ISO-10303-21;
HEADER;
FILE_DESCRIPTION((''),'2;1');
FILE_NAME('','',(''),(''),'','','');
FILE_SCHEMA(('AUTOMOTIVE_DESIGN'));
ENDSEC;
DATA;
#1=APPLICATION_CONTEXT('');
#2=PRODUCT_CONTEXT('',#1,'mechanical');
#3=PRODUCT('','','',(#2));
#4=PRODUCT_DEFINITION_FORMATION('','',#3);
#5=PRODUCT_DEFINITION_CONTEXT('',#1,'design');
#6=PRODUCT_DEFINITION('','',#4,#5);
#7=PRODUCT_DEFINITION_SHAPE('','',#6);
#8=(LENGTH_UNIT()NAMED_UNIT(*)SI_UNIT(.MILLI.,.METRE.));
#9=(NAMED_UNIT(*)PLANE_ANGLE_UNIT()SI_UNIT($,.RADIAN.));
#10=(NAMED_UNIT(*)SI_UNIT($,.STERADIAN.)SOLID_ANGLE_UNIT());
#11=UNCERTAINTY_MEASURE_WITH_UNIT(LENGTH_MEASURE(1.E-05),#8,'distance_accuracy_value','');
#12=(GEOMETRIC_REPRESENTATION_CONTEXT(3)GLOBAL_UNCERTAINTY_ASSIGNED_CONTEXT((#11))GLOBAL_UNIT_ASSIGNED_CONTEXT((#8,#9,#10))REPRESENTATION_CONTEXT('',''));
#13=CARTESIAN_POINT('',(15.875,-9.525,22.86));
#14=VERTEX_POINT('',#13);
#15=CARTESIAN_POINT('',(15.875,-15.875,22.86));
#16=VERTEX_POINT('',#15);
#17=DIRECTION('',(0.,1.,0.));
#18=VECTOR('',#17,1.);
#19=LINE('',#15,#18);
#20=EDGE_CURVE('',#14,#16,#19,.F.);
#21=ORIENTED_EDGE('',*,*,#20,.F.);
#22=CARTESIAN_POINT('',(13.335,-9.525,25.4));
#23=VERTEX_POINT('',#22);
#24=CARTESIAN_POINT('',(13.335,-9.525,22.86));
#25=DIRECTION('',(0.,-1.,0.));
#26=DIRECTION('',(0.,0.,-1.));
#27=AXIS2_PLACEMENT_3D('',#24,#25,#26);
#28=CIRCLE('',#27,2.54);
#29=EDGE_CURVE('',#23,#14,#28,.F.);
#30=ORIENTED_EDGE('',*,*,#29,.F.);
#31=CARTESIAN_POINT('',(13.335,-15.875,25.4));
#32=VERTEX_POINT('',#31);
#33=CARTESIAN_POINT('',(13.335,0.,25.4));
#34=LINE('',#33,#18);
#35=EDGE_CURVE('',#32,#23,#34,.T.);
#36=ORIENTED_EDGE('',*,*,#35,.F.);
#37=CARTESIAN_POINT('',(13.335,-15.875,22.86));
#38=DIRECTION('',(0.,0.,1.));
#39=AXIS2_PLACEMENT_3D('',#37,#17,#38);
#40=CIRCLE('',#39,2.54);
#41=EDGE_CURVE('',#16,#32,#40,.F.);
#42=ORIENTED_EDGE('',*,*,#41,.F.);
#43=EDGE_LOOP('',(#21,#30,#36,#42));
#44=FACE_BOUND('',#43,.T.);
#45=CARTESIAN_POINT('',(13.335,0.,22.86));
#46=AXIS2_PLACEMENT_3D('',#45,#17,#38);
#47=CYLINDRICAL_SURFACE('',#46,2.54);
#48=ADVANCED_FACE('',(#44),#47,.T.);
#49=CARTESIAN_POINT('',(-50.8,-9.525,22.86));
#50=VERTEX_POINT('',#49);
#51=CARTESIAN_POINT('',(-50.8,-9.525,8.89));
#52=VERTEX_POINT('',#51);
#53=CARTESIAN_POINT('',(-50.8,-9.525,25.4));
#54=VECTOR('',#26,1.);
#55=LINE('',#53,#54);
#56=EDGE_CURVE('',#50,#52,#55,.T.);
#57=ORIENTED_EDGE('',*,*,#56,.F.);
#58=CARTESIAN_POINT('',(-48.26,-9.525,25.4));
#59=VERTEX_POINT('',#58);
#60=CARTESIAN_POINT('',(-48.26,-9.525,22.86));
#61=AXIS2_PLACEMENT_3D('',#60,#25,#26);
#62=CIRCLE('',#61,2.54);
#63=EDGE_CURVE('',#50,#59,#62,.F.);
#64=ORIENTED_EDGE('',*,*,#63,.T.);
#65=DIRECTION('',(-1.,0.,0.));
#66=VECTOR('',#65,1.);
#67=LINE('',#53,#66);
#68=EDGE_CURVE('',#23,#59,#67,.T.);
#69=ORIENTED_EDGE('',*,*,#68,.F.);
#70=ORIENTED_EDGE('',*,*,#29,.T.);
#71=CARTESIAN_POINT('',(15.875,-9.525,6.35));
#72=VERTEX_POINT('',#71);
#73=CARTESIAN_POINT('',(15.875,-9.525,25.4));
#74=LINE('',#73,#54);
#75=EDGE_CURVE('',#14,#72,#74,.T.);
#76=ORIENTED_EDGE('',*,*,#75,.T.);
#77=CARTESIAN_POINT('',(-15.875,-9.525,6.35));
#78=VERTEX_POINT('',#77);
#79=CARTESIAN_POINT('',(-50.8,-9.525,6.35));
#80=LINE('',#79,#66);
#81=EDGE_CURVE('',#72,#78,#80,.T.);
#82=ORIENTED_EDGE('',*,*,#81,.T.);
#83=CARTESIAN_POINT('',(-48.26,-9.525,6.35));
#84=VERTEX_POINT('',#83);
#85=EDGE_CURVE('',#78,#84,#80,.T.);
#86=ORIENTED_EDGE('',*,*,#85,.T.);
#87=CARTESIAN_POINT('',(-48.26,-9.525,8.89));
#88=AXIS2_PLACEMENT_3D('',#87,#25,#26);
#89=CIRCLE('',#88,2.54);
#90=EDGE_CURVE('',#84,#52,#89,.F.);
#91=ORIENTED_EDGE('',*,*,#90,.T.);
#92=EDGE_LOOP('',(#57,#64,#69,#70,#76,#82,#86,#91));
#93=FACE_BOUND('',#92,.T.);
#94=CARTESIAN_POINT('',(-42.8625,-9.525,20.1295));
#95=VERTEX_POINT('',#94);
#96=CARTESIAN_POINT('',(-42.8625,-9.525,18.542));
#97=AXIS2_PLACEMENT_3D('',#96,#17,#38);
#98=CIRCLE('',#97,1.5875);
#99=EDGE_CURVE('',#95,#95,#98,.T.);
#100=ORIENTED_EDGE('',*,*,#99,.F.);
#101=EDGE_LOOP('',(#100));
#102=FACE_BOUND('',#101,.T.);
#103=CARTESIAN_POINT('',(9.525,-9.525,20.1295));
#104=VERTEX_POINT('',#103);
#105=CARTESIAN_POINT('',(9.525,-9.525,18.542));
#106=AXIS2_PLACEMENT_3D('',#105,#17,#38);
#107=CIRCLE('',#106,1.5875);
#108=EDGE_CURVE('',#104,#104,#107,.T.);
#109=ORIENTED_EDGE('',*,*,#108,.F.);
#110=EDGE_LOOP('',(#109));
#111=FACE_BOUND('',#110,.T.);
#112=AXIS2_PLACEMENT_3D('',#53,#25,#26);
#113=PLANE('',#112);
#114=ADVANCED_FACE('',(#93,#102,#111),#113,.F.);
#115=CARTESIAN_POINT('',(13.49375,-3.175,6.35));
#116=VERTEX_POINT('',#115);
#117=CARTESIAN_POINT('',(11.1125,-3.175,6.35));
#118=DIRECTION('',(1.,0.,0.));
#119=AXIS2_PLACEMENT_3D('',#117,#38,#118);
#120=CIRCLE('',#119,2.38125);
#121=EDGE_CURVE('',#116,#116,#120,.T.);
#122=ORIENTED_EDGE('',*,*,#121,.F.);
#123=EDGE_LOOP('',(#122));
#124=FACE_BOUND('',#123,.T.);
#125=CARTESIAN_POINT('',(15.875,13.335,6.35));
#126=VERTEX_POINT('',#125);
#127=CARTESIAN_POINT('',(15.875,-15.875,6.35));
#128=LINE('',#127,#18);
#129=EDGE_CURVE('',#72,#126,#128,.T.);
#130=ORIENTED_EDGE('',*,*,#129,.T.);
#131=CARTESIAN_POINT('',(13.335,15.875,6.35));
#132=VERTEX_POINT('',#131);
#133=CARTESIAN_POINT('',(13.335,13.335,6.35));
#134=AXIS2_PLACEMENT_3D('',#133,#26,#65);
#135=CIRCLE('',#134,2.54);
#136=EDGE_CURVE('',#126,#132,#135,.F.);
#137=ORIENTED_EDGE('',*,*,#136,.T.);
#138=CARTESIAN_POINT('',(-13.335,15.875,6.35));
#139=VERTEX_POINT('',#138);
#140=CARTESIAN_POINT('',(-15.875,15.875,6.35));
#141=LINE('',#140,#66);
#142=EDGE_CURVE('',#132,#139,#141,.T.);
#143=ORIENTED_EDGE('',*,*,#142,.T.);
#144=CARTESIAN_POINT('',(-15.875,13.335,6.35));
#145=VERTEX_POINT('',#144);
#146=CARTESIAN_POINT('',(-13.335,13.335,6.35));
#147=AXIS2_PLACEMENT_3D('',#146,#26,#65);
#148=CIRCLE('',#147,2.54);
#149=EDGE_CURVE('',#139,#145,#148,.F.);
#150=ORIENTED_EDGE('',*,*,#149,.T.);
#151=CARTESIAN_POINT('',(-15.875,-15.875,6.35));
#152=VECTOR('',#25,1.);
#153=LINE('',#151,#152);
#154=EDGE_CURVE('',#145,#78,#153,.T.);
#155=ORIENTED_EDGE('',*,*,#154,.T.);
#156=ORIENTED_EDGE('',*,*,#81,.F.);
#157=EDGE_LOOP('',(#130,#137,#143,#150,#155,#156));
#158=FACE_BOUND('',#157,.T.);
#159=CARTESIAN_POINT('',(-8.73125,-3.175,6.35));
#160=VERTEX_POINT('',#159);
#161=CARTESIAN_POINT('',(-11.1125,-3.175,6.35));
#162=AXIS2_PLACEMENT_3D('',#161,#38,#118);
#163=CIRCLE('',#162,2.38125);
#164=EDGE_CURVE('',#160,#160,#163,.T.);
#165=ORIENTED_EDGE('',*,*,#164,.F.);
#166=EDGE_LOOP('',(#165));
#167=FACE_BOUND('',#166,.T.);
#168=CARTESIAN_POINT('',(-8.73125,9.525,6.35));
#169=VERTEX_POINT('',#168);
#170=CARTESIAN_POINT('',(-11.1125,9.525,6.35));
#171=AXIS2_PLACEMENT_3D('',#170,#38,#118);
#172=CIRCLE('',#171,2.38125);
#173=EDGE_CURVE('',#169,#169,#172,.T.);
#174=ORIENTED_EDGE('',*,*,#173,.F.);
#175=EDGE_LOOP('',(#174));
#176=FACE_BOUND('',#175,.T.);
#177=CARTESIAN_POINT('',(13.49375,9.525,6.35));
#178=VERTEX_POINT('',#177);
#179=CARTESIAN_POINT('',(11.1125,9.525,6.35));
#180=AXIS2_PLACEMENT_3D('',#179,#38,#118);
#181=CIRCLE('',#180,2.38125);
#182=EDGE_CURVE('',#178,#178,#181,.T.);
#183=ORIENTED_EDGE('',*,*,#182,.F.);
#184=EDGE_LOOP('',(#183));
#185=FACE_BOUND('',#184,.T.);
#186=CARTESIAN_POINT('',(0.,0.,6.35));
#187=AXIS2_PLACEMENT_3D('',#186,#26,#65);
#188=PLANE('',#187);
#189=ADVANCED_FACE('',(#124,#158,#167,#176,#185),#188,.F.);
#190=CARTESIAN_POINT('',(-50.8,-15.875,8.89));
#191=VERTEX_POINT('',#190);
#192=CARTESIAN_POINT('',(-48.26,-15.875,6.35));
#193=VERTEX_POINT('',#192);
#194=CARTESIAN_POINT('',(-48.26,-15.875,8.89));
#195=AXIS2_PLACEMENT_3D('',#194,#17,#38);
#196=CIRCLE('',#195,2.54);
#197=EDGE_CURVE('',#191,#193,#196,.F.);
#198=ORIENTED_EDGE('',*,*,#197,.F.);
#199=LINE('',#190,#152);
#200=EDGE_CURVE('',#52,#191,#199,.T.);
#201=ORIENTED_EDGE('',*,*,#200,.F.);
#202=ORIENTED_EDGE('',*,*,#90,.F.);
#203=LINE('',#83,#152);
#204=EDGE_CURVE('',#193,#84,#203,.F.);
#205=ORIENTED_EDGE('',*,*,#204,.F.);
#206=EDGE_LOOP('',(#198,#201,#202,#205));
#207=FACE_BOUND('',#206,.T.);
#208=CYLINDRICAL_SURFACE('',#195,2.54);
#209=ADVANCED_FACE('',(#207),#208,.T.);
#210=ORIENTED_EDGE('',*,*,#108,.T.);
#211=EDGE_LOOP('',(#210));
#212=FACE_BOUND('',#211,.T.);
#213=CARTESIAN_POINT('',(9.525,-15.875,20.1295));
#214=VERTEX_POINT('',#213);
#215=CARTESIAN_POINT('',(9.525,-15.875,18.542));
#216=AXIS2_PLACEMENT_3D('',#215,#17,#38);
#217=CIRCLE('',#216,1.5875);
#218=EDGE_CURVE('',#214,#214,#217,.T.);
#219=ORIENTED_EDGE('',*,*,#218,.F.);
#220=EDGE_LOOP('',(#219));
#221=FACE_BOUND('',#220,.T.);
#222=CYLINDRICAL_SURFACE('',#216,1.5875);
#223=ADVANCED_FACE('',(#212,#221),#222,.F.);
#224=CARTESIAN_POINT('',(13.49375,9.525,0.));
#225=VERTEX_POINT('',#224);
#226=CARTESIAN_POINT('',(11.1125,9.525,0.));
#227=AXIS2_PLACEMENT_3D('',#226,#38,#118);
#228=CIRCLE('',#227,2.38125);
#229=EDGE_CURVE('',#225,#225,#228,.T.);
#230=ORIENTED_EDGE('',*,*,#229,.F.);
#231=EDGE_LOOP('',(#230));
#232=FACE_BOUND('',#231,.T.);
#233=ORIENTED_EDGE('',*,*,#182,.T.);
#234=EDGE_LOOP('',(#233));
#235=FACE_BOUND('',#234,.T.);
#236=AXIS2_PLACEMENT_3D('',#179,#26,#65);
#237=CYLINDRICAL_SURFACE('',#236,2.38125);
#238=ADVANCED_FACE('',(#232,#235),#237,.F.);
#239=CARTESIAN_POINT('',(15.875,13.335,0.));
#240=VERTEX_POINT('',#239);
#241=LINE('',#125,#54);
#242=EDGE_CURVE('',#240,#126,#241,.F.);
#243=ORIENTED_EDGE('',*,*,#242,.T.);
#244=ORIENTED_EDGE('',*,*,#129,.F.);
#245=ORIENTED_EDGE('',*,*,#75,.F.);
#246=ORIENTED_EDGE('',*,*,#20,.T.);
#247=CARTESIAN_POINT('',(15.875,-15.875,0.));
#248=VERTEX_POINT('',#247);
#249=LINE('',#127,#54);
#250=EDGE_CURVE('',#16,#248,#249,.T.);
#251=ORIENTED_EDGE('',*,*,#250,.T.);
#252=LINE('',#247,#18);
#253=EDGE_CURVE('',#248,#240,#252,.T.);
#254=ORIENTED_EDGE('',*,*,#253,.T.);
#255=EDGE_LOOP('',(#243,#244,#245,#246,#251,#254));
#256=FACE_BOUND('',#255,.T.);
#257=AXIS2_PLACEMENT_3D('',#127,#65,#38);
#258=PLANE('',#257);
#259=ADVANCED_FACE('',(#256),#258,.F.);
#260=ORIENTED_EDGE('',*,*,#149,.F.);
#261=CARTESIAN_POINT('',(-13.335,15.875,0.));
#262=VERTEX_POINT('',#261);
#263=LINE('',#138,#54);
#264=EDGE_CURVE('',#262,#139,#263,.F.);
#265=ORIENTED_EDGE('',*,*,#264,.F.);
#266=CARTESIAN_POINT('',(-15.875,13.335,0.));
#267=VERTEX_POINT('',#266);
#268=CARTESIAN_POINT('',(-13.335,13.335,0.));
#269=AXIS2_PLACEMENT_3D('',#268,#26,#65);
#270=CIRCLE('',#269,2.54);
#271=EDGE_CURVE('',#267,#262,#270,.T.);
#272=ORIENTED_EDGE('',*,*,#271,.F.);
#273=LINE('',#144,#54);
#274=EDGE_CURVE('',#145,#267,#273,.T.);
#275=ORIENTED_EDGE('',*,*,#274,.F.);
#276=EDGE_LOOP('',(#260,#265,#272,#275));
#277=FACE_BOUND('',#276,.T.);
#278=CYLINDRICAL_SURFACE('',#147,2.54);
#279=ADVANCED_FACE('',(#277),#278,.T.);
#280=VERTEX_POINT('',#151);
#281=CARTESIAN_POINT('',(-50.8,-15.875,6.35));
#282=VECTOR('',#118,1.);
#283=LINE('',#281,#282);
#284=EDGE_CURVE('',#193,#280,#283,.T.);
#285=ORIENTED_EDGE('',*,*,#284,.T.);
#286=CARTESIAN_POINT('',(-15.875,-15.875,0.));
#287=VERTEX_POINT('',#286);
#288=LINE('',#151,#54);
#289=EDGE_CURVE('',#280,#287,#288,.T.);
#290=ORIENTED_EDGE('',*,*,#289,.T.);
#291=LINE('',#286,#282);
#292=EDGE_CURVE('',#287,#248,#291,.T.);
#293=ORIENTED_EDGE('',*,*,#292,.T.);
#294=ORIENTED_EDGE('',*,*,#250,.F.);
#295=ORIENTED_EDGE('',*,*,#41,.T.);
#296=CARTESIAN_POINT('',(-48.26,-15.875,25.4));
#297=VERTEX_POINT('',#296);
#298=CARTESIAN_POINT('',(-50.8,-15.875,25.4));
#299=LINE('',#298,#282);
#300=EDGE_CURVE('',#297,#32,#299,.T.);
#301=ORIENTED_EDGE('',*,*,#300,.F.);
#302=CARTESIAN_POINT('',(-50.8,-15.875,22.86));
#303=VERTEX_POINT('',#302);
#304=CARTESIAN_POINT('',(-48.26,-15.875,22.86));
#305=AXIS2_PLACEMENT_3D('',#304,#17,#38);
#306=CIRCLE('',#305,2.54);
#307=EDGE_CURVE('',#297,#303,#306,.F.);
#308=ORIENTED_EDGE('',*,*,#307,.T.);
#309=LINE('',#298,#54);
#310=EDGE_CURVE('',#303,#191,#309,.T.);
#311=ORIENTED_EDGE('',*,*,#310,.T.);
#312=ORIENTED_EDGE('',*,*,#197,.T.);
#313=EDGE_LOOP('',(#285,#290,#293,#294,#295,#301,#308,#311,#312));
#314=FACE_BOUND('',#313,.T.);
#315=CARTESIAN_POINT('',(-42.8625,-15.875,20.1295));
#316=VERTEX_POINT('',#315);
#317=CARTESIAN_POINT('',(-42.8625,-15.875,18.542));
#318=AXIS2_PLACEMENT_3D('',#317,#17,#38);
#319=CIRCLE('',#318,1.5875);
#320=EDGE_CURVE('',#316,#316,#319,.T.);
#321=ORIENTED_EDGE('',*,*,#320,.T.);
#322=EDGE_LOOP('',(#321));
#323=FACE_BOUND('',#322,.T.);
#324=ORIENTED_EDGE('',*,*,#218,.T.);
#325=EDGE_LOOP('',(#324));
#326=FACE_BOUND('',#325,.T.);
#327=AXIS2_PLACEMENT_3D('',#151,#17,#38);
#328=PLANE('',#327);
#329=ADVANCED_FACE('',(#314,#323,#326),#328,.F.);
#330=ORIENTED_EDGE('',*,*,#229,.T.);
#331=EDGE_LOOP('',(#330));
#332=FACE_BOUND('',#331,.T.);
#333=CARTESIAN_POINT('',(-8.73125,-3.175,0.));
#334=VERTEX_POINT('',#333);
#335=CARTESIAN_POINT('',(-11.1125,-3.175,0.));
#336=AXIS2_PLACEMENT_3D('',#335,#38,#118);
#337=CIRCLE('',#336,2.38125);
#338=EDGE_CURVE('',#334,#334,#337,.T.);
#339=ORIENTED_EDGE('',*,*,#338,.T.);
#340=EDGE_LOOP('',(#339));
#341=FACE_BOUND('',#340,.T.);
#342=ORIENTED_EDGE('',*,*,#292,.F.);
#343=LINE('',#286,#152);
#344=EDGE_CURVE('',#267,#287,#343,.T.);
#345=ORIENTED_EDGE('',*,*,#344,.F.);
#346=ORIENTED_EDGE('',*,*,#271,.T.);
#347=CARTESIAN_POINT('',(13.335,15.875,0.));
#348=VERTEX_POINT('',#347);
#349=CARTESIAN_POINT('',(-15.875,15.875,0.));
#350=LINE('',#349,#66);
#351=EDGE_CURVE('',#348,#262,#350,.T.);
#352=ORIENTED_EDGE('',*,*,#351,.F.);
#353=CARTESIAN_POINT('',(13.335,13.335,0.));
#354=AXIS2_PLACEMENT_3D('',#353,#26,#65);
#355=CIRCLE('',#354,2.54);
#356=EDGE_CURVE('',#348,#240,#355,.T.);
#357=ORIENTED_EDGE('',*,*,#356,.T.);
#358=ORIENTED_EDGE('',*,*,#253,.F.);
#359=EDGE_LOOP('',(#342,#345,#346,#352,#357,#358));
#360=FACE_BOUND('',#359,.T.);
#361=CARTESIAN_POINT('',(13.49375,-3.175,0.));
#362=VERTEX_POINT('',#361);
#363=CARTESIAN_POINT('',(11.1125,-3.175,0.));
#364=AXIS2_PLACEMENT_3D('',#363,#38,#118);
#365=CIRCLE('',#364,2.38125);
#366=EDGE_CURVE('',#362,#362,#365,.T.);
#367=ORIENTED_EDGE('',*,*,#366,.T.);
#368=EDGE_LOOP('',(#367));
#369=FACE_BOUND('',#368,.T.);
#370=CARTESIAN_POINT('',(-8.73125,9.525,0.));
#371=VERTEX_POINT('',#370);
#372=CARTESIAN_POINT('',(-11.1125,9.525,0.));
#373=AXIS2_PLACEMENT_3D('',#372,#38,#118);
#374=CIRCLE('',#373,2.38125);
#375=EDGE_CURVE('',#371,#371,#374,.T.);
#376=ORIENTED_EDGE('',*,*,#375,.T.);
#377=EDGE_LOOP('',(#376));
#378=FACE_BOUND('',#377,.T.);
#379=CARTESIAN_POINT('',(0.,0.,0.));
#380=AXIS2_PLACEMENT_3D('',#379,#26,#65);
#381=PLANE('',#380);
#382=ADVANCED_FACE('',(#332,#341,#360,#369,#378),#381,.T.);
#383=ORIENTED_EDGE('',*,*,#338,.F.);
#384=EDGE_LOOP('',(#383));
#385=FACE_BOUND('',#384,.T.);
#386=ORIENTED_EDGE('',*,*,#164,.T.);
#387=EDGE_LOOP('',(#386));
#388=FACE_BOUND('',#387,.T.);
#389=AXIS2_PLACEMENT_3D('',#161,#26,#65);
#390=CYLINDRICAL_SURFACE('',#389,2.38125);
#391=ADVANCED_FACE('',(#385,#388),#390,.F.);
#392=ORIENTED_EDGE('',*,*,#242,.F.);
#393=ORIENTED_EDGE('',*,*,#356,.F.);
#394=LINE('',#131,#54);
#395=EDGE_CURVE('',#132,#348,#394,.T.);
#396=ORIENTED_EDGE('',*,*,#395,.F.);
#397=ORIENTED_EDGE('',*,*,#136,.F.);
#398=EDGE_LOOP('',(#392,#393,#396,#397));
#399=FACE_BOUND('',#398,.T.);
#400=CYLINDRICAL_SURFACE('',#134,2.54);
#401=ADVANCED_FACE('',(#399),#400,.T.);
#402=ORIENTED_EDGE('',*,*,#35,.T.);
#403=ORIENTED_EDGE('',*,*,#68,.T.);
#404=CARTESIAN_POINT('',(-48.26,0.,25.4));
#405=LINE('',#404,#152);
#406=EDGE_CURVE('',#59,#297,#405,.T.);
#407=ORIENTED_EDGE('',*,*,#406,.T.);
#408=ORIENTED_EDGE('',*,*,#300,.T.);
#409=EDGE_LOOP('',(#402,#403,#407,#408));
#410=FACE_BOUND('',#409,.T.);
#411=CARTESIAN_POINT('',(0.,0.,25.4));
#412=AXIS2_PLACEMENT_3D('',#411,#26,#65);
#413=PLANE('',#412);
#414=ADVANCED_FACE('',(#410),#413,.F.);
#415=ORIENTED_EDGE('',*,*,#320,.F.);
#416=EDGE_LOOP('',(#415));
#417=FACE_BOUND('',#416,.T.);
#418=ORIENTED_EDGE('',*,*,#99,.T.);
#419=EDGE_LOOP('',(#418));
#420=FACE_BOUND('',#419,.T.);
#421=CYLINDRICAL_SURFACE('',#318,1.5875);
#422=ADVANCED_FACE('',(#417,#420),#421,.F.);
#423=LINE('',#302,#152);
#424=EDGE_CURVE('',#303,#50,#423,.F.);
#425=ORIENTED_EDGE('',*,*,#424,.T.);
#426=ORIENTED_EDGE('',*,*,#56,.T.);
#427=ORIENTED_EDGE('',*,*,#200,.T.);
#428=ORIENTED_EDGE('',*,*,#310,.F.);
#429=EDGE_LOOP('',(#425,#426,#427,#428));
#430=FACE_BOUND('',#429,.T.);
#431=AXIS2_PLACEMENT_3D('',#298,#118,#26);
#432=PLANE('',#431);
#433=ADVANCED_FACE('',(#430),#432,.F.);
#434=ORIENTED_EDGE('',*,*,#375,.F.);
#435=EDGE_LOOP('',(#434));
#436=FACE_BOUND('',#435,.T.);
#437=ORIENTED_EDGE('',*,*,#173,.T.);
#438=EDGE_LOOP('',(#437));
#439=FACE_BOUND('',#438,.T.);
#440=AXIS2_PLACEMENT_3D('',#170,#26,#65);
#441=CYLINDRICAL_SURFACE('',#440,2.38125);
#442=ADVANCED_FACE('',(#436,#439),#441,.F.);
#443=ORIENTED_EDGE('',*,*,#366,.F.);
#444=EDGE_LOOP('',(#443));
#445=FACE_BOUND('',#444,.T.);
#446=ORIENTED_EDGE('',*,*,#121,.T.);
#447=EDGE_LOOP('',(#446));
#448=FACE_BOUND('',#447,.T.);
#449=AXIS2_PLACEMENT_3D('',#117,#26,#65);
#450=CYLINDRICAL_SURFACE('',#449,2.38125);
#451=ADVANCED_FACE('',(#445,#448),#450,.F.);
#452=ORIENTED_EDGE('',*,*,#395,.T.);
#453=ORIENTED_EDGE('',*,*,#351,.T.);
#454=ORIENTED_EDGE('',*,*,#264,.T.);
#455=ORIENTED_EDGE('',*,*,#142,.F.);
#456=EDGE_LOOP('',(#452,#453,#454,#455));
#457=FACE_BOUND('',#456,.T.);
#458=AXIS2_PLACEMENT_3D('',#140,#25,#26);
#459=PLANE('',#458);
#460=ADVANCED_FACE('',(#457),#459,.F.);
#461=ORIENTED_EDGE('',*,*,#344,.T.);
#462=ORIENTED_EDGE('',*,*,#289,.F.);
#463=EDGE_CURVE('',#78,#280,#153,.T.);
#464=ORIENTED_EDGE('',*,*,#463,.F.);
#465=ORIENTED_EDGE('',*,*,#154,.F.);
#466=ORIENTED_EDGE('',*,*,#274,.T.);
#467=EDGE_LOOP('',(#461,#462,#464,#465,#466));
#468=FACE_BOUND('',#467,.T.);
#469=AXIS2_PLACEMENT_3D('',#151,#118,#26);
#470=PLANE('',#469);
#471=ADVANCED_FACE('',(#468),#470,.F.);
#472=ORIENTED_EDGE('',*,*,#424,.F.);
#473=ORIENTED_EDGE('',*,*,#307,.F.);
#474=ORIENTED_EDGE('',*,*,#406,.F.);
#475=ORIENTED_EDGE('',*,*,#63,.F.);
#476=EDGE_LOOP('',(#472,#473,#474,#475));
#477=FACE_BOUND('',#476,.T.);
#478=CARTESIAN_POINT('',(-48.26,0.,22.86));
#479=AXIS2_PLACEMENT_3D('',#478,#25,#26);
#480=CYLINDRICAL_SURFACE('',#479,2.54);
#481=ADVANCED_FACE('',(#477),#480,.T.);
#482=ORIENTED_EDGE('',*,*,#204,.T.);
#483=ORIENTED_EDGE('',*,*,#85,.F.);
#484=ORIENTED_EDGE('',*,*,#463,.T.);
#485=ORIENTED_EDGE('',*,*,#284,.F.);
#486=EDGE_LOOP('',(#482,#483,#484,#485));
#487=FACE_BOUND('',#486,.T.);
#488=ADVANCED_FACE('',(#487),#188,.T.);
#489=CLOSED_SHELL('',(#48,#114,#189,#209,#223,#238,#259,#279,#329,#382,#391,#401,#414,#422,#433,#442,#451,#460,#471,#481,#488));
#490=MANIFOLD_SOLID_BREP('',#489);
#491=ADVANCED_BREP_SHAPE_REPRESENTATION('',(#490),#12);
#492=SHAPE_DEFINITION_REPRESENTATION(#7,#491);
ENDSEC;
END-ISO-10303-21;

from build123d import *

# Parameters (mm, degrees)
SKETCH1_W           = 31.75
SKETCH1_H           = 31.75
SKETCH1_R           = 2.38125
BOSS_EXTRUDE1_DEPTH = 6.35
SKETCH2_W           = 66.675
SKETCH2_H           = 6.35
BOSS_EXTRUDE2_DEPTH = 19.05
SKETCH3_R           = 1.5875
CUT_EXTRUDE1_DEPTH  = 63.217039467
FILLET1_R           = 2.54


with BuildPart() as part:
    # Sketch1 → Boss-Extrude1 (new body)
    with BuildSketch(Plane.XY):
        Rectangle(SKETCH1_W, SKETCH1_H)
        with Locations((-11.1125, -3.175)):
            Circle(SKETCH1_R, mode=Mode.SUBTRACT)
        with Locations((-11.1125, 9.525)):
            Circle(SKETCH1_R, mode=Mode.SUBTRACT)
        with Locations((11.1125, 9.525)):
            Circle(SKETCH1_R, mode=Mode.SUBTRACT)
        with Locations((11.1125, -3.175)):
            Circle(SKETCH1_R, mode=Mode.SUBTRACT)
    extrude(amount=BOSS_EXTRUDE1_DEPTH)

    # Sketch2 → Boss-Extrude2 (add)
    with BuildSketch(Plane.XY.offset(6.35)):
        with Locations((-17.4625, -12.7)):
            Rectangle(SKETCH2_W, SKETCH2_H)
    extrude(amount=BOSS_EXTRUDE2_DEPTH)

    # Sketch3 → Cut-Extrude1 (cut, through all)
    with BuildSketch(Plane(origin=(0, -9.525, 0), x_dir=(1, 0, 0), z_dir=(0, 1, 0))):
        with Locations(Location((9.525, -18.542, 0), (0, 0, 270))):
            Circle(SKETCH3_R)
        with Locations(Location((-42.8625, -18.542, 0), (0, 0, 270))):
            Circle(SKETCH3_R)
    extrude(amount=-CUT_EXTRUDE1_DEPTH, mode=Mode.SUBTRACT)

    # Fillet1
    fillet1_edges = [part.edges().sort_by_distance(p)[0] for p in [
        (-50.8, -12.7, 6.35),
        (-50.8, -12.7, 25.4),
        (15.875, -12.7, 25.4),
        (-15.875, 15.875, 3.175),
        (15.875, 15.875, 3.175),
    ]]
    fillet(fillet1_edges, radius=FILLET1_R)


solid = part.part
